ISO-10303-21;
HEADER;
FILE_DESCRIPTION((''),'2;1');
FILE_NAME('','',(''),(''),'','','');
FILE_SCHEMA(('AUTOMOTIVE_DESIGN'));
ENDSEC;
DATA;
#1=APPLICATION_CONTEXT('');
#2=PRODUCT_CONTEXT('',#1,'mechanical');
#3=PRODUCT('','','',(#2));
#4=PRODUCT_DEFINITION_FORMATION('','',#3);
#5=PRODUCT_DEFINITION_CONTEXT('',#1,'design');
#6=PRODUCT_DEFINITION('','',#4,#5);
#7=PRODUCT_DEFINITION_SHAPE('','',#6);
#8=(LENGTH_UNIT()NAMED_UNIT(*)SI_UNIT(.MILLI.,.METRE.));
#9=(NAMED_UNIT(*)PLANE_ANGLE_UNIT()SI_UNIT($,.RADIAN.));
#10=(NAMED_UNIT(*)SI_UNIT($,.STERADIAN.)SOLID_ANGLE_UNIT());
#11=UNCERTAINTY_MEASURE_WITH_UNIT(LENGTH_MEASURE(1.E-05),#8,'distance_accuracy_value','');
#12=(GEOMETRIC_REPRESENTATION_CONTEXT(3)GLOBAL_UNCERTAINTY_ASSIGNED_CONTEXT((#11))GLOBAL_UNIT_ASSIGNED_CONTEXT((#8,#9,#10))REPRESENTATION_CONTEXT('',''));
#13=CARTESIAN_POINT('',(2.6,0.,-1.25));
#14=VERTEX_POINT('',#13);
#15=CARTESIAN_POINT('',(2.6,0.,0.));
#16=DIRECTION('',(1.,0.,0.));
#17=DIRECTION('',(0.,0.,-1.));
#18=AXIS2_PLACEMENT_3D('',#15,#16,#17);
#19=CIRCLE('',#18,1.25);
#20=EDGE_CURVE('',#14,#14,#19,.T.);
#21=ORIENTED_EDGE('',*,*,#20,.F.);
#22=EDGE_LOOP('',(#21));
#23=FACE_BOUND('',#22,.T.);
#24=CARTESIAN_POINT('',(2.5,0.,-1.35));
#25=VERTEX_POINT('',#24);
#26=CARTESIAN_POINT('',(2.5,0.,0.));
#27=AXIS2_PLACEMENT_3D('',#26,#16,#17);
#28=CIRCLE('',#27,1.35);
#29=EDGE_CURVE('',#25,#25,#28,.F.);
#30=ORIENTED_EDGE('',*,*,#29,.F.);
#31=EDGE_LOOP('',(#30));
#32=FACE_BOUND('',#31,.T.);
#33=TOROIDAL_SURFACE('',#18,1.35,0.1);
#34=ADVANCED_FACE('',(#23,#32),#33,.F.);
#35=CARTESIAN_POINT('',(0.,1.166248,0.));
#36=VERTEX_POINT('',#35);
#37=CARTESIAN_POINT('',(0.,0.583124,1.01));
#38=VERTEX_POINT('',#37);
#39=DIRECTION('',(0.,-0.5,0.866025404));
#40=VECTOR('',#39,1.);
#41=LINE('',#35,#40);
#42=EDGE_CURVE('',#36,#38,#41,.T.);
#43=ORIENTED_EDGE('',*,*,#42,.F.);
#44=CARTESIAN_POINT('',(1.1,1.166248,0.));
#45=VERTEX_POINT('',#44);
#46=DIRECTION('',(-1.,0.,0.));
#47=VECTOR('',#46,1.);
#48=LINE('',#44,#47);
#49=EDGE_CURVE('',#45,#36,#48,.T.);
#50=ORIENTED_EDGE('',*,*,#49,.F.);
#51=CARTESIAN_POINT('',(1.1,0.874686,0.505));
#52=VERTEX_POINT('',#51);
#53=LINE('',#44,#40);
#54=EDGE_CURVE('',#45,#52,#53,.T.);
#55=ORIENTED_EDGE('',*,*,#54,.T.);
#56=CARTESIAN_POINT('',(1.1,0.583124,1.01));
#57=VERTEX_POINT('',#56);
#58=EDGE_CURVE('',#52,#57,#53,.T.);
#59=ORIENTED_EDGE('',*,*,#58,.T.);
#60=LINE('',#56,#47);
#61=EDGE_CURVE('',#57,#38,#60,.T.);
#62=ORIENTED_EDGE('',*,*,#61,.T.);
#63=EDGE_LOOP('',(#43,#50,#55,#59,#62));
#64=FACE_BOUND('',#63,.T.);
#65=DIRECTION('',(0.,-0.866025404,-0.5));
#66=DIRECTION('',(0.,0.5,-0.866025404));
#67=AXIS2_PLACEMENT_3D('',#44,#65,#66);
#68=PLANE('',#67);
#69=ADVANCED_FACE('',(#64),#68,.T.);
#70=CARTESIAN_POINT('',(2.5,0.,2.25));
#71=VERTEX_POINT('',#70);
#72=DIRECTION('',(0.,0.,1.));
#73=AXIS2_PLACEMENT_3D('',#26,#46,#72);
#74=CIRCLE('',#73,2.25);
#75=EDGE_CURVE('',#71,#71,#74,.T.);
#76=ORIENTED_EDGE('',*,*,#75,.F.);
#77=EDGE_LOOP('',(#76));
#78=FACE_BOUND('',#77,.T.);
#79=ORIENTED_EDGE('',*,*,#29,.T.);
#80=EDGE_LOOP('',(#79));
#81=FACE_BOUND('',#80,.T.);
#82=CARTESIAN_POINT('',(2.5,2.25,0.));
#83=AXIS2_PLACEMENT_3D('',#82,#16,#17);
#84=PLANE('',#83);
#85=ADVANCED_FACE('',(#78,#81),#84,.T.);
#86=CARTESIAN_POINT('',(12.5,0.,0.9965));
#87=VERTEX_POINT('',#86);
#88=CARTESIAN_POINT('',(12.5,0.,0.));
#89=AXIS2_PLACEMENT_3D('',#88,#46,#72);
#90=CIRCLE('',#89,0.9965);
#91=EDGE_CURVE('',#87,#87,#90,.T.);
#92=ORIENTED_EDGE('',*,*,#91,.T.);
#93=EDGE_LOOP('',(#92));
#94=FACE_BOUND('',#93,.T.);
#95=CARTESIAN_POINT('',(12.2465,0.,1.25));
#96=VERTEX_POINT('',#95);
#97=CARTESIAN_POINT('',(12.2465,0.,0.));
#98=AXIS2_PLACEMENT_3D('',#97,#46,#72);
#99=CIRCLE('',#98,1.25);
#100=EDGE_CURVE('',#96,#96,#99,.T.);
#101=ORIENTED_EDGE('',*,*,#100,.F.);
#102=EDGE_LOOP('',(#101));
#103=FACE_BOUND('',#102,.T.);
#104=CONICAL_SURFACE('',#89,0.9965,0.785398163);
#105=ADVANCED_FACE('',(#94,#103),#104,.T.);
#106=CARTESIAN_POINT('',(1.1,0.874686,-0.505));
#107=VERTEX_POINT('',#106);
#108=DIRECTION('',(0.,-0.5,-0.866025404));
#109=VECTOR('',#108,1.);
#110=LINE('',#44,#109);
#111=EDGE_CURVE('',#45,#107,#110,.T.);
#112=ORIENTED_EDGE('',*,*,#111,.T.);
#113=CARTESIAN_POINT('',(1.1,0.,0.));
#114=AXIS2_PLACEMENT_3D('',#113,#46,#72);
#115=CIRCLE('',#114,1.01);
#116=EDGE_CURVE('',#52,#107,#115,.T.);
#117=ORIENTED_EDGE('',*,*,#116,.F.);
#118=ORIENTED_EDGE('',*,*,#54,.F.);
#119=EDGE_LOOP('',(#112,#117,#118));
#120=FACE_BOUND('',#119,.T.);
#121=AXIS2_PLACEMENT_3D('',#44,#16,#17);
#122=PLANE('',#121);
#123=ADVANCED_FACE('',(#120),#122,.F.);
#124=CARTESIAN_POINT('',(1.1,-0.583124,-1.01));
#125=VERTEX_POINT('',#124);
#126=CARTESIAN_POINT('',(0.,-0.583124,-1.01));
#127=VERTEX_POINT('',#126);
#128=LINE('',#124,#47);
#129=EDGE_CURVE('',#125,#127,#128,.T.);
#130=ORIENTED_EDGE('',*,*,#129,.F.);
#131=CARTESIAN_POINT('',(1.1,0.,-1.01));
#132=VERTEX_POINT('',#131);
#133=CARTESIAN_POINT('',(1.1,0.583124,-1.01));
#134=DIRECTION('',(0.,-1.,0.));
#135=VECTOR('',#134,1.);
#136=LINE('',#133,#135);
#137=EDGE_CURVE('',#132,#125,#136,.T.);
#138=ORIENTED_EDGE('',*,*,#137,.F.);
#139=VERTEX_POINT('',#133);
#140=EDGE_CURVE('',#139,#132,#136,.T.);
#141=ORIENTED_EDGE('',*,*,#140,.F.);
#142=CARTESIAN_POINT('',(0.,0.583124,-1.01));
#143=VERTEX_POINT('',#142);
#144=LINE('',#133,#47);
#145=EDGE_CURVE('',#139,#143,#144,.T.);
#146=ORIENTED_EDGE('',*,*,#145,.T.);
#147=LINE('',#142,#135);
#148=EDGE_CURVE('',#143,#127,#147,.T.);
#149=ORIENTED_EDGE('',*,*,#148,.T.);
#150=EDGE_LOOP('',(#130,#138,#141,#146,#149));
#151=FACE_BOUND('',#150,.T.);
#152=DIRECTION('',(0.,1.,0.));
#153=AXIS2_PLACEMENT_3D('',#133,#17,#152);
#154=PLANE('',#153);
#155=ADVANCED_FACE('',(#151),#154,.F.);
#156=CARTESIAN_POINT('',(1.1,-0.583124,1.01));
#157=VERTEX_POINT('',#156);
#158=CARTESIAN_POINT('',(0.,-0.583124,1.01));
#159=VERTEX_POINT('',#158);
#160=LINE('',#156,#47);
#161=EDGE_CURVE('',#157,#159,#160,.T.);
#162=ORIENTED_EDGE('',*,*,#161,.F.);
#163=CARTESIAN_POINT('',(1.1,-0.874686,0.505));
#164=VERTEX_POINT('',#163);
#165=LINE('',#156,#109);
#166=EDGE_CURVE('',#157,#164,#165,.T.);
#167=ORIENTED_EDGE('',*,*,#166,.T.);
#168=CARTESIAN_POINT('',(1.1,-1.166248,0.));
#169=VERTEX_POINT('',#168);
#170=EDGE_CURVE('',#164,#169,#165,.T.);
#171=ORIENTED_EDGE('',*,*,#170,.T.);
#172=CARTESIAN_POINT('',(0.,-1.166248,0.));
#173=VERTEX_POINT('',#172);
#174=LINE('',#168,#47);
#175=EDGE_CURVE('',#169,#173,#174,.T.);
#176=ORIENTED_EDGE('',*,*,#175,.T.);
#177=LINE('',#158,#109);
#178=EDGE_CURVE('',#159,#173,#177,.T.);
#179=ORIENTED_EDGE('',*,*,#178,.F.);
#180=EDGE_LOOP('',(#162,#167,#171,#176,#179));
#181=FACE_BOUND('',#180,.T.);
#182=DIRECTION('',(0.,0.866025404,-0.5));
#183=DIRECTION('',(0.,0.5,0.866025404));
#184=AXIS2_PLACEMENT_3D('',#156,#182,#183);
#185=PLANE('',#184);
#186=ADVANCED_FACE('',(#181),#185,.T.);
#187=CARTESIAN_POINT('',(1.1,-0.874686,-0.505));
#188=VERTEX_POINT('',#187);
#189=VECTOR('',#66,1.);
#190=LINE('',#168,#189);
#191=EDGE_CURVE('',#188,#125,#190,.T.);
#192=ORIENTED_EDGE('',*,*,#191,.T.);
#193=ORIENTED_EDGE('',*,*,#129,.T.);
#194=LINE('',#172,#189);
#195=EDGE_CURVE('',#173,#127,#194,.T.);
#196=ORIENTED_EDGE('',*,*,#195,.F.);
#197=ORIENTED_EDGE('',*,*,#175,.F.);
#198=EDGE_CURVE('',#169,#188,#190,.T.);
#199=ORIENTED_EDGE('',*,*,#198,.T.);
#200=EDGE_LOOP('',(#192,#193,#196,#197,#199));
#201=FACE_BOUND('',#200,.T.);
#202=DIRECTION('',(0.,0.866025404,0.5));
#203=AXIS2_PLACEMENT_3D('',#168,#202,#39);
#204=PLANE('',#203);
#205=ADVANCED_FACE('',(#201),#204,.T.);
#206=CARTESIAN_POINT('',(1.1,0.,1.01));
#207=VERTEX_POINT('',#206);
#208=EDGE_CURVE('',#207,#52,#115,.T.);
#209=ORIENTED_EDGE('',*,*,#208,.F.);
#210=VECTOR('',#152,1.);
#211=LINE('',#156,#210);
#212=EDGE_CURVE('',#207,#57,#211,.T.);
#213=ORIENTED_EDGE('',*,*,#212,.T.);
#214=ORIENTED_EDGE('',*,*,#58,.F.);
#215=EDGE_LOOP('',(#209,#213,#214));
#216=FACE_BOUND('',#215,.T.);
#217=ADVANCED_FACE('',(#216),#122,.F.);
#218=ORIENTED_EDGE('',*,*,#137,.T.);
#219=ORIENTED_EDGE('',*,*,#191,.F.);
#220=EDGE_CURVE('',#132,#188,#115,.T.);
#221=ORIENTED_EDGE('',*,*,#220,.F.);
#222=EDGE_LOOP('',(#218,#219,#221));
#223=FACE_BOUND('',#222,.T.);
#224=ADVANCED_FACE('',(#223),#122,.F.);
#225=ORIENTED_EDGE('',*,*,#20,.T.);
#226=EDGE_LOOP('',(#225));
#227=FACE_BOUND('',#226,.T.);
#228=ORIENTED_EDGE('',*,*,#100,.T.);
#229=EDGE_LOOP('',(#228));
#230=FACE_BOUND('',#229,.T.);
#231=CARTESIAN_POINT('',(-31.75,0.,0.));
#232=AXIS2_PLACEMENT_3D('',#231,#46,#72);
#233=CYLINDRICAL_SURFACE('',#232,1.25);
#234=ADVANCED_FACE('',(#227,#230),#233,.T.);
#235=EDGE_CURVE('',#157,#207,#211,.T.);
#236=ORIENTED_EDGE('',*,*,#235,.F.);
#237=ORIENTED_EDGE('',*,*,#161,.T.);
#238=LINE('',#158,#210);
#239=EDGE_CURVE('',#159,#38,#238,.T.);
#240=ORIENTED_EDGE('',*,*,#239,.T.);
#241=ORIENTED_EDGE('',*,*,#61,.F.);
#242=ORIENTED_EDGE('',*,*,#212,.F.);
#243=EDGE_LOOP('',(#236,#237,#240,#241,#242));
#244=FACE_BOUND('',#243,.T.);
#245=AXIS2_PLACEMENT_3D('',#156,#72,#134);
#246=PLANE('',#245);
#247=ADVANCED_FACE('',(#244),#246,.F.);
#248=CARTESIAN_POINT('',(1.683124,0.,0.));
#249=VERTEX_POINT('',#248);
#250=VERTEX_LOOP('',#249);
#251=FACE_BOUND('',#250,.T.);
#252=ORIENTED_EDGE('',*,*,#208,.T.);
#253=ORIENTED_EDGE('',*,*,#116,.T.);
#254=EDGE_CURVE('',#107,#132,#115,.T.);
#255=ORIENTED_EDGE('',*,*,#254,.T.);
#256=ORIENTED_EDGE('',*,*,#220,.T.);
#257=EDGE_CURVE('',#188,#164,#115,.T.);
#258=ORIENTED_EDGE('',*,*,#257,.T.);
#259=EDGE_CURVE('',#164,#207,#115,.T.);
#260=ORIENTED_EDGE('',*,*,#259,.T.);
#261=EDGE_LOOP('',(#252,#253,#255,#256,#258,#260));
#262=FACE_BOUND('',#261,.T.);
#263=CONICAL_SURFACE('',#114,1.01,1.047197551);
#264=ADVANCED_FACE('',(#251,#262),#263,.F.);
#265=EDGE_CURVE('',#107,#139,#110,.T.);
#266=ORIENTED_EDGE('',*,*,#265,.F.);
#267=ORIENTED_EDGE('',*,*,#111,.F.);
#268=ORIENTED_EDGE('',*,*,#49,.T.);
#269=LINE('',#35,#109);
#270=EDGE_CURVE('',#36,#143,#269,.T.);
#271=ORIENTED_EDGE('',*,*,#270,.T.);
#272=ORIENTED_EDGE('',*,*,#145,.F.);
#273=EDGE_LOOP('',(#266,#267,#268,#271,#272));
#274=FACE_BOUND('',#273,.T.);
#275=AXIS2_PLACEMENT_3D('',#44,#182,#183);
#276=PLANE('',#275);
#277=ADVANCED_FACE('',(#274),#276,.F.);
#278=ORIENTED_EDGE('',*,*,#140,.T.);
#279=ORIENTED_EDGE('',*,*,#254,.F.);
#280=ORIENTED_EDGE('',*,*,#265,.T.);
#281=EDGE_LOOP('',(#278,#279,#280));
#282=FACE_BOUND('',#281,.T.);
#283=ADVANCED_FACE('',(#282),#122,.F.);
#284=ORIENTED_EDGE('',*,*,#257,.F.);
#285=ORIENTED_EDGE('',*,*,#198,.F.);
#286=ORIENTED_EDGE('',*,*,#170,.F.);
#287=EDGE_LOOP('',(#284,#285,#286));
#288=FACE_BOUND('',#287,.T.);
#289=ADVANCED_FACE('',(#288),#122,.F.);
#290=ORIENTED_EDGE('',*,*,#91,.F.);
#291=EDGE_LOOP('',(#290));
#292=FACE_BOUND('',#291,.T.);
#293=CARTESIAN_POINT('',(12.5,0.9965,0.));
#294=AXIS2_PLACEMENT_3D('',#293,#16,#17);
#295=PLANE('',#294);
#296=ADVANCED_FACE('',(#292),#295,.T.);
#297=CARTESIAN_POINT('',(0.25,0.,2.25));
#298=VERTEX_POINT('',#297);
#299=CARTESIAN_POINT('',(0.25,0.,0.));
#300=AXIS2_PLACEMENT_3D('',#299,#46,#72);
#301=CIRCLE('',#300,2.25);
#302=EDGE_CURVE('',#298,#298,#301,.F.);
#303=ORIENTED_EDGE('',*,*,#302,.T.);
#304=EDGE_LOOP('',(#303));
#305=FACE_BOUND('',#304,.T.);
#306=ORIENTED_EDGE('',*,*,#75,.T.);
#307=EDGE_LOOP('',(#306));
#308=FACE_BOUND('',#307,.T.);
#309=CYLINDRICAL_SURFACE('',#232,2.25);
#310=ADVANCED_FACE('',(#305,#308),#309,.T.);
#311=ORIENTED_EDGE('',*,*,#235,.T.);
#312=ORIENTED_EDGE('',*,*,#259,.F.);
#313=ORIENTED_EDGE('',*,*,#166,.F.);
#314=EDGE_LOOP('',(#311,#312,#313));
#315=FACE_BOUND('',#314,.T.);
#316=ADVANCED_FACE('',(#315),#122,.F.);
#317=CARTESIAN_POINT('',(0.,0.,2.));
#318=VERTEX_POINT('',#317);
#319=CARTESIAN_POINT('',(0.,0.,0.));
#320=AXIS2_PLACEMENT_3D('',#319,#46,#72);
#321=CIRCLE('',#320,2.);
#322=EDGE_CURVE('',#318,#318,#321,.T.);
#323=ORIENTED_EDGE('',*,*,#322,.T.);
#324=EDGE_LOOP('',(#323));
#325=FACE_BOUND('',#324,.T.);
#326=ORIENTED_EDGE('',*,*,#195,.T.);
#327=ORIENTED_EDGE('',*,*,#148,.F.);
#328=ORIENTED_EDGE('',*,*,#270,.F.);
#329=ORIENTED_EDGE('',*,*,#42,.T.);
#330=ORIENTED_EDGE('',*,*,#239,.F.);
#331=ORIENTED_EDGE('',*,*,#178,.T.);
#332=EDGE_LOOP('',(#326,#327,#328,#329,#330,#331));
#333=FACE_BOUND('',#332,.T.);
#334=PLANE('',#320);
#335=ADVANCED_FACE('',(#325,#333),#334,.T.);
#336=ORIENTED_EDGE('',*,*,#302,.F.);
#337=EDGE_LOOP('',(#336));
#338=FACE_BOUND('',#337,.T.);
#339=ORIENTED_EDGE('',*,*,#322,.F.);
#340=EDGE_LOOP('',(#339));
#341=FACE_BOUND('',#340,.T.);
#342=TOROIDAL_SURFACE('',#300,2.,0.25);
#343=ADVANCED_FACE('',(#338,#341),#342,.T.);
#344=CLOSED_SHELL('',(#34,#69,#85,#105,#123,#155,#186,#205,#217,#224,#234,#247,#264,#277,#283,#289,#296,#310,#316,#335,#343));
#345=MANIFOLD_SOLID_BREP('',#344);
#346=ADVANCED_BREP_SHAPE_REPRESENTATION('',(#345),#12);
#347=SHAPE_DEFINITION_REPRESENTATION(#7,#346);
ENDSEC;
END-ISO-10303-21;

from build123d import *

# Parameters (mm, degrees)
FILLET1_R   = 0.1
FILLET2_R   = 0.25
HEX_2_DEPTH = 1.1


with BuildPart() as part:
    # BodySke → Base-Revolve (revolve)
    with BuildSketch(Plane.XY):
        Polygon((0, 0), (0, 2.25), (2.5, 2.25), (2.5, 1.25), (12.2465, 1.25), (12.5, 0.9965), (12.5, 0), align=None)
    revolve(axis=Axis((-31.75, 0, 0), (1, 0, 0)))

    # Fillet1
    fillet1_edges = [part.edges().sort_by_distance(p)[0] for p in [
        (2.5, -1.25, 0),
    ]]
    fillet(fillet1_edges, radius=FILLET1_R)

    # Fillet2
    fillet2_edges = [part.edges().sort_by_distance(p)[0] for p in [
        (0, -2.25, 0),
    ]]
    fillet(fillet2_edges, radius=FILLET2_R)

    # Sketch2 → Hex-PreBroach (revolve, cut)
    with BuildSketch(Plane.XY):
        Polygon((0, 1.01), (1.1, 1.01), (1.683123772, 0), (0, 0), align=None)
    revolve(axis=Axis((0, 0, 0), (1, 0, 0)), mode=Mode.SUBTRACT)

    # Sketch3 → Hex 2 (cut)
    with BuildSketch(Plane(origin=(0, 0, 0), x_dir=(0, 0.5, 0.866025404), z_dir=(-1, 0, 0))):
        Polygon((0.583123772, 1.01), (-0.583123772, 1.01), (-1.166247544, 0), (-0.583123772, -1.01), (0.583123772, -1.01), (1.166247544, 0), align=None)
    extrude(amount=-HEX_2_DEPTH, mode=Mode.SUBTRACT)


solid = part.part
